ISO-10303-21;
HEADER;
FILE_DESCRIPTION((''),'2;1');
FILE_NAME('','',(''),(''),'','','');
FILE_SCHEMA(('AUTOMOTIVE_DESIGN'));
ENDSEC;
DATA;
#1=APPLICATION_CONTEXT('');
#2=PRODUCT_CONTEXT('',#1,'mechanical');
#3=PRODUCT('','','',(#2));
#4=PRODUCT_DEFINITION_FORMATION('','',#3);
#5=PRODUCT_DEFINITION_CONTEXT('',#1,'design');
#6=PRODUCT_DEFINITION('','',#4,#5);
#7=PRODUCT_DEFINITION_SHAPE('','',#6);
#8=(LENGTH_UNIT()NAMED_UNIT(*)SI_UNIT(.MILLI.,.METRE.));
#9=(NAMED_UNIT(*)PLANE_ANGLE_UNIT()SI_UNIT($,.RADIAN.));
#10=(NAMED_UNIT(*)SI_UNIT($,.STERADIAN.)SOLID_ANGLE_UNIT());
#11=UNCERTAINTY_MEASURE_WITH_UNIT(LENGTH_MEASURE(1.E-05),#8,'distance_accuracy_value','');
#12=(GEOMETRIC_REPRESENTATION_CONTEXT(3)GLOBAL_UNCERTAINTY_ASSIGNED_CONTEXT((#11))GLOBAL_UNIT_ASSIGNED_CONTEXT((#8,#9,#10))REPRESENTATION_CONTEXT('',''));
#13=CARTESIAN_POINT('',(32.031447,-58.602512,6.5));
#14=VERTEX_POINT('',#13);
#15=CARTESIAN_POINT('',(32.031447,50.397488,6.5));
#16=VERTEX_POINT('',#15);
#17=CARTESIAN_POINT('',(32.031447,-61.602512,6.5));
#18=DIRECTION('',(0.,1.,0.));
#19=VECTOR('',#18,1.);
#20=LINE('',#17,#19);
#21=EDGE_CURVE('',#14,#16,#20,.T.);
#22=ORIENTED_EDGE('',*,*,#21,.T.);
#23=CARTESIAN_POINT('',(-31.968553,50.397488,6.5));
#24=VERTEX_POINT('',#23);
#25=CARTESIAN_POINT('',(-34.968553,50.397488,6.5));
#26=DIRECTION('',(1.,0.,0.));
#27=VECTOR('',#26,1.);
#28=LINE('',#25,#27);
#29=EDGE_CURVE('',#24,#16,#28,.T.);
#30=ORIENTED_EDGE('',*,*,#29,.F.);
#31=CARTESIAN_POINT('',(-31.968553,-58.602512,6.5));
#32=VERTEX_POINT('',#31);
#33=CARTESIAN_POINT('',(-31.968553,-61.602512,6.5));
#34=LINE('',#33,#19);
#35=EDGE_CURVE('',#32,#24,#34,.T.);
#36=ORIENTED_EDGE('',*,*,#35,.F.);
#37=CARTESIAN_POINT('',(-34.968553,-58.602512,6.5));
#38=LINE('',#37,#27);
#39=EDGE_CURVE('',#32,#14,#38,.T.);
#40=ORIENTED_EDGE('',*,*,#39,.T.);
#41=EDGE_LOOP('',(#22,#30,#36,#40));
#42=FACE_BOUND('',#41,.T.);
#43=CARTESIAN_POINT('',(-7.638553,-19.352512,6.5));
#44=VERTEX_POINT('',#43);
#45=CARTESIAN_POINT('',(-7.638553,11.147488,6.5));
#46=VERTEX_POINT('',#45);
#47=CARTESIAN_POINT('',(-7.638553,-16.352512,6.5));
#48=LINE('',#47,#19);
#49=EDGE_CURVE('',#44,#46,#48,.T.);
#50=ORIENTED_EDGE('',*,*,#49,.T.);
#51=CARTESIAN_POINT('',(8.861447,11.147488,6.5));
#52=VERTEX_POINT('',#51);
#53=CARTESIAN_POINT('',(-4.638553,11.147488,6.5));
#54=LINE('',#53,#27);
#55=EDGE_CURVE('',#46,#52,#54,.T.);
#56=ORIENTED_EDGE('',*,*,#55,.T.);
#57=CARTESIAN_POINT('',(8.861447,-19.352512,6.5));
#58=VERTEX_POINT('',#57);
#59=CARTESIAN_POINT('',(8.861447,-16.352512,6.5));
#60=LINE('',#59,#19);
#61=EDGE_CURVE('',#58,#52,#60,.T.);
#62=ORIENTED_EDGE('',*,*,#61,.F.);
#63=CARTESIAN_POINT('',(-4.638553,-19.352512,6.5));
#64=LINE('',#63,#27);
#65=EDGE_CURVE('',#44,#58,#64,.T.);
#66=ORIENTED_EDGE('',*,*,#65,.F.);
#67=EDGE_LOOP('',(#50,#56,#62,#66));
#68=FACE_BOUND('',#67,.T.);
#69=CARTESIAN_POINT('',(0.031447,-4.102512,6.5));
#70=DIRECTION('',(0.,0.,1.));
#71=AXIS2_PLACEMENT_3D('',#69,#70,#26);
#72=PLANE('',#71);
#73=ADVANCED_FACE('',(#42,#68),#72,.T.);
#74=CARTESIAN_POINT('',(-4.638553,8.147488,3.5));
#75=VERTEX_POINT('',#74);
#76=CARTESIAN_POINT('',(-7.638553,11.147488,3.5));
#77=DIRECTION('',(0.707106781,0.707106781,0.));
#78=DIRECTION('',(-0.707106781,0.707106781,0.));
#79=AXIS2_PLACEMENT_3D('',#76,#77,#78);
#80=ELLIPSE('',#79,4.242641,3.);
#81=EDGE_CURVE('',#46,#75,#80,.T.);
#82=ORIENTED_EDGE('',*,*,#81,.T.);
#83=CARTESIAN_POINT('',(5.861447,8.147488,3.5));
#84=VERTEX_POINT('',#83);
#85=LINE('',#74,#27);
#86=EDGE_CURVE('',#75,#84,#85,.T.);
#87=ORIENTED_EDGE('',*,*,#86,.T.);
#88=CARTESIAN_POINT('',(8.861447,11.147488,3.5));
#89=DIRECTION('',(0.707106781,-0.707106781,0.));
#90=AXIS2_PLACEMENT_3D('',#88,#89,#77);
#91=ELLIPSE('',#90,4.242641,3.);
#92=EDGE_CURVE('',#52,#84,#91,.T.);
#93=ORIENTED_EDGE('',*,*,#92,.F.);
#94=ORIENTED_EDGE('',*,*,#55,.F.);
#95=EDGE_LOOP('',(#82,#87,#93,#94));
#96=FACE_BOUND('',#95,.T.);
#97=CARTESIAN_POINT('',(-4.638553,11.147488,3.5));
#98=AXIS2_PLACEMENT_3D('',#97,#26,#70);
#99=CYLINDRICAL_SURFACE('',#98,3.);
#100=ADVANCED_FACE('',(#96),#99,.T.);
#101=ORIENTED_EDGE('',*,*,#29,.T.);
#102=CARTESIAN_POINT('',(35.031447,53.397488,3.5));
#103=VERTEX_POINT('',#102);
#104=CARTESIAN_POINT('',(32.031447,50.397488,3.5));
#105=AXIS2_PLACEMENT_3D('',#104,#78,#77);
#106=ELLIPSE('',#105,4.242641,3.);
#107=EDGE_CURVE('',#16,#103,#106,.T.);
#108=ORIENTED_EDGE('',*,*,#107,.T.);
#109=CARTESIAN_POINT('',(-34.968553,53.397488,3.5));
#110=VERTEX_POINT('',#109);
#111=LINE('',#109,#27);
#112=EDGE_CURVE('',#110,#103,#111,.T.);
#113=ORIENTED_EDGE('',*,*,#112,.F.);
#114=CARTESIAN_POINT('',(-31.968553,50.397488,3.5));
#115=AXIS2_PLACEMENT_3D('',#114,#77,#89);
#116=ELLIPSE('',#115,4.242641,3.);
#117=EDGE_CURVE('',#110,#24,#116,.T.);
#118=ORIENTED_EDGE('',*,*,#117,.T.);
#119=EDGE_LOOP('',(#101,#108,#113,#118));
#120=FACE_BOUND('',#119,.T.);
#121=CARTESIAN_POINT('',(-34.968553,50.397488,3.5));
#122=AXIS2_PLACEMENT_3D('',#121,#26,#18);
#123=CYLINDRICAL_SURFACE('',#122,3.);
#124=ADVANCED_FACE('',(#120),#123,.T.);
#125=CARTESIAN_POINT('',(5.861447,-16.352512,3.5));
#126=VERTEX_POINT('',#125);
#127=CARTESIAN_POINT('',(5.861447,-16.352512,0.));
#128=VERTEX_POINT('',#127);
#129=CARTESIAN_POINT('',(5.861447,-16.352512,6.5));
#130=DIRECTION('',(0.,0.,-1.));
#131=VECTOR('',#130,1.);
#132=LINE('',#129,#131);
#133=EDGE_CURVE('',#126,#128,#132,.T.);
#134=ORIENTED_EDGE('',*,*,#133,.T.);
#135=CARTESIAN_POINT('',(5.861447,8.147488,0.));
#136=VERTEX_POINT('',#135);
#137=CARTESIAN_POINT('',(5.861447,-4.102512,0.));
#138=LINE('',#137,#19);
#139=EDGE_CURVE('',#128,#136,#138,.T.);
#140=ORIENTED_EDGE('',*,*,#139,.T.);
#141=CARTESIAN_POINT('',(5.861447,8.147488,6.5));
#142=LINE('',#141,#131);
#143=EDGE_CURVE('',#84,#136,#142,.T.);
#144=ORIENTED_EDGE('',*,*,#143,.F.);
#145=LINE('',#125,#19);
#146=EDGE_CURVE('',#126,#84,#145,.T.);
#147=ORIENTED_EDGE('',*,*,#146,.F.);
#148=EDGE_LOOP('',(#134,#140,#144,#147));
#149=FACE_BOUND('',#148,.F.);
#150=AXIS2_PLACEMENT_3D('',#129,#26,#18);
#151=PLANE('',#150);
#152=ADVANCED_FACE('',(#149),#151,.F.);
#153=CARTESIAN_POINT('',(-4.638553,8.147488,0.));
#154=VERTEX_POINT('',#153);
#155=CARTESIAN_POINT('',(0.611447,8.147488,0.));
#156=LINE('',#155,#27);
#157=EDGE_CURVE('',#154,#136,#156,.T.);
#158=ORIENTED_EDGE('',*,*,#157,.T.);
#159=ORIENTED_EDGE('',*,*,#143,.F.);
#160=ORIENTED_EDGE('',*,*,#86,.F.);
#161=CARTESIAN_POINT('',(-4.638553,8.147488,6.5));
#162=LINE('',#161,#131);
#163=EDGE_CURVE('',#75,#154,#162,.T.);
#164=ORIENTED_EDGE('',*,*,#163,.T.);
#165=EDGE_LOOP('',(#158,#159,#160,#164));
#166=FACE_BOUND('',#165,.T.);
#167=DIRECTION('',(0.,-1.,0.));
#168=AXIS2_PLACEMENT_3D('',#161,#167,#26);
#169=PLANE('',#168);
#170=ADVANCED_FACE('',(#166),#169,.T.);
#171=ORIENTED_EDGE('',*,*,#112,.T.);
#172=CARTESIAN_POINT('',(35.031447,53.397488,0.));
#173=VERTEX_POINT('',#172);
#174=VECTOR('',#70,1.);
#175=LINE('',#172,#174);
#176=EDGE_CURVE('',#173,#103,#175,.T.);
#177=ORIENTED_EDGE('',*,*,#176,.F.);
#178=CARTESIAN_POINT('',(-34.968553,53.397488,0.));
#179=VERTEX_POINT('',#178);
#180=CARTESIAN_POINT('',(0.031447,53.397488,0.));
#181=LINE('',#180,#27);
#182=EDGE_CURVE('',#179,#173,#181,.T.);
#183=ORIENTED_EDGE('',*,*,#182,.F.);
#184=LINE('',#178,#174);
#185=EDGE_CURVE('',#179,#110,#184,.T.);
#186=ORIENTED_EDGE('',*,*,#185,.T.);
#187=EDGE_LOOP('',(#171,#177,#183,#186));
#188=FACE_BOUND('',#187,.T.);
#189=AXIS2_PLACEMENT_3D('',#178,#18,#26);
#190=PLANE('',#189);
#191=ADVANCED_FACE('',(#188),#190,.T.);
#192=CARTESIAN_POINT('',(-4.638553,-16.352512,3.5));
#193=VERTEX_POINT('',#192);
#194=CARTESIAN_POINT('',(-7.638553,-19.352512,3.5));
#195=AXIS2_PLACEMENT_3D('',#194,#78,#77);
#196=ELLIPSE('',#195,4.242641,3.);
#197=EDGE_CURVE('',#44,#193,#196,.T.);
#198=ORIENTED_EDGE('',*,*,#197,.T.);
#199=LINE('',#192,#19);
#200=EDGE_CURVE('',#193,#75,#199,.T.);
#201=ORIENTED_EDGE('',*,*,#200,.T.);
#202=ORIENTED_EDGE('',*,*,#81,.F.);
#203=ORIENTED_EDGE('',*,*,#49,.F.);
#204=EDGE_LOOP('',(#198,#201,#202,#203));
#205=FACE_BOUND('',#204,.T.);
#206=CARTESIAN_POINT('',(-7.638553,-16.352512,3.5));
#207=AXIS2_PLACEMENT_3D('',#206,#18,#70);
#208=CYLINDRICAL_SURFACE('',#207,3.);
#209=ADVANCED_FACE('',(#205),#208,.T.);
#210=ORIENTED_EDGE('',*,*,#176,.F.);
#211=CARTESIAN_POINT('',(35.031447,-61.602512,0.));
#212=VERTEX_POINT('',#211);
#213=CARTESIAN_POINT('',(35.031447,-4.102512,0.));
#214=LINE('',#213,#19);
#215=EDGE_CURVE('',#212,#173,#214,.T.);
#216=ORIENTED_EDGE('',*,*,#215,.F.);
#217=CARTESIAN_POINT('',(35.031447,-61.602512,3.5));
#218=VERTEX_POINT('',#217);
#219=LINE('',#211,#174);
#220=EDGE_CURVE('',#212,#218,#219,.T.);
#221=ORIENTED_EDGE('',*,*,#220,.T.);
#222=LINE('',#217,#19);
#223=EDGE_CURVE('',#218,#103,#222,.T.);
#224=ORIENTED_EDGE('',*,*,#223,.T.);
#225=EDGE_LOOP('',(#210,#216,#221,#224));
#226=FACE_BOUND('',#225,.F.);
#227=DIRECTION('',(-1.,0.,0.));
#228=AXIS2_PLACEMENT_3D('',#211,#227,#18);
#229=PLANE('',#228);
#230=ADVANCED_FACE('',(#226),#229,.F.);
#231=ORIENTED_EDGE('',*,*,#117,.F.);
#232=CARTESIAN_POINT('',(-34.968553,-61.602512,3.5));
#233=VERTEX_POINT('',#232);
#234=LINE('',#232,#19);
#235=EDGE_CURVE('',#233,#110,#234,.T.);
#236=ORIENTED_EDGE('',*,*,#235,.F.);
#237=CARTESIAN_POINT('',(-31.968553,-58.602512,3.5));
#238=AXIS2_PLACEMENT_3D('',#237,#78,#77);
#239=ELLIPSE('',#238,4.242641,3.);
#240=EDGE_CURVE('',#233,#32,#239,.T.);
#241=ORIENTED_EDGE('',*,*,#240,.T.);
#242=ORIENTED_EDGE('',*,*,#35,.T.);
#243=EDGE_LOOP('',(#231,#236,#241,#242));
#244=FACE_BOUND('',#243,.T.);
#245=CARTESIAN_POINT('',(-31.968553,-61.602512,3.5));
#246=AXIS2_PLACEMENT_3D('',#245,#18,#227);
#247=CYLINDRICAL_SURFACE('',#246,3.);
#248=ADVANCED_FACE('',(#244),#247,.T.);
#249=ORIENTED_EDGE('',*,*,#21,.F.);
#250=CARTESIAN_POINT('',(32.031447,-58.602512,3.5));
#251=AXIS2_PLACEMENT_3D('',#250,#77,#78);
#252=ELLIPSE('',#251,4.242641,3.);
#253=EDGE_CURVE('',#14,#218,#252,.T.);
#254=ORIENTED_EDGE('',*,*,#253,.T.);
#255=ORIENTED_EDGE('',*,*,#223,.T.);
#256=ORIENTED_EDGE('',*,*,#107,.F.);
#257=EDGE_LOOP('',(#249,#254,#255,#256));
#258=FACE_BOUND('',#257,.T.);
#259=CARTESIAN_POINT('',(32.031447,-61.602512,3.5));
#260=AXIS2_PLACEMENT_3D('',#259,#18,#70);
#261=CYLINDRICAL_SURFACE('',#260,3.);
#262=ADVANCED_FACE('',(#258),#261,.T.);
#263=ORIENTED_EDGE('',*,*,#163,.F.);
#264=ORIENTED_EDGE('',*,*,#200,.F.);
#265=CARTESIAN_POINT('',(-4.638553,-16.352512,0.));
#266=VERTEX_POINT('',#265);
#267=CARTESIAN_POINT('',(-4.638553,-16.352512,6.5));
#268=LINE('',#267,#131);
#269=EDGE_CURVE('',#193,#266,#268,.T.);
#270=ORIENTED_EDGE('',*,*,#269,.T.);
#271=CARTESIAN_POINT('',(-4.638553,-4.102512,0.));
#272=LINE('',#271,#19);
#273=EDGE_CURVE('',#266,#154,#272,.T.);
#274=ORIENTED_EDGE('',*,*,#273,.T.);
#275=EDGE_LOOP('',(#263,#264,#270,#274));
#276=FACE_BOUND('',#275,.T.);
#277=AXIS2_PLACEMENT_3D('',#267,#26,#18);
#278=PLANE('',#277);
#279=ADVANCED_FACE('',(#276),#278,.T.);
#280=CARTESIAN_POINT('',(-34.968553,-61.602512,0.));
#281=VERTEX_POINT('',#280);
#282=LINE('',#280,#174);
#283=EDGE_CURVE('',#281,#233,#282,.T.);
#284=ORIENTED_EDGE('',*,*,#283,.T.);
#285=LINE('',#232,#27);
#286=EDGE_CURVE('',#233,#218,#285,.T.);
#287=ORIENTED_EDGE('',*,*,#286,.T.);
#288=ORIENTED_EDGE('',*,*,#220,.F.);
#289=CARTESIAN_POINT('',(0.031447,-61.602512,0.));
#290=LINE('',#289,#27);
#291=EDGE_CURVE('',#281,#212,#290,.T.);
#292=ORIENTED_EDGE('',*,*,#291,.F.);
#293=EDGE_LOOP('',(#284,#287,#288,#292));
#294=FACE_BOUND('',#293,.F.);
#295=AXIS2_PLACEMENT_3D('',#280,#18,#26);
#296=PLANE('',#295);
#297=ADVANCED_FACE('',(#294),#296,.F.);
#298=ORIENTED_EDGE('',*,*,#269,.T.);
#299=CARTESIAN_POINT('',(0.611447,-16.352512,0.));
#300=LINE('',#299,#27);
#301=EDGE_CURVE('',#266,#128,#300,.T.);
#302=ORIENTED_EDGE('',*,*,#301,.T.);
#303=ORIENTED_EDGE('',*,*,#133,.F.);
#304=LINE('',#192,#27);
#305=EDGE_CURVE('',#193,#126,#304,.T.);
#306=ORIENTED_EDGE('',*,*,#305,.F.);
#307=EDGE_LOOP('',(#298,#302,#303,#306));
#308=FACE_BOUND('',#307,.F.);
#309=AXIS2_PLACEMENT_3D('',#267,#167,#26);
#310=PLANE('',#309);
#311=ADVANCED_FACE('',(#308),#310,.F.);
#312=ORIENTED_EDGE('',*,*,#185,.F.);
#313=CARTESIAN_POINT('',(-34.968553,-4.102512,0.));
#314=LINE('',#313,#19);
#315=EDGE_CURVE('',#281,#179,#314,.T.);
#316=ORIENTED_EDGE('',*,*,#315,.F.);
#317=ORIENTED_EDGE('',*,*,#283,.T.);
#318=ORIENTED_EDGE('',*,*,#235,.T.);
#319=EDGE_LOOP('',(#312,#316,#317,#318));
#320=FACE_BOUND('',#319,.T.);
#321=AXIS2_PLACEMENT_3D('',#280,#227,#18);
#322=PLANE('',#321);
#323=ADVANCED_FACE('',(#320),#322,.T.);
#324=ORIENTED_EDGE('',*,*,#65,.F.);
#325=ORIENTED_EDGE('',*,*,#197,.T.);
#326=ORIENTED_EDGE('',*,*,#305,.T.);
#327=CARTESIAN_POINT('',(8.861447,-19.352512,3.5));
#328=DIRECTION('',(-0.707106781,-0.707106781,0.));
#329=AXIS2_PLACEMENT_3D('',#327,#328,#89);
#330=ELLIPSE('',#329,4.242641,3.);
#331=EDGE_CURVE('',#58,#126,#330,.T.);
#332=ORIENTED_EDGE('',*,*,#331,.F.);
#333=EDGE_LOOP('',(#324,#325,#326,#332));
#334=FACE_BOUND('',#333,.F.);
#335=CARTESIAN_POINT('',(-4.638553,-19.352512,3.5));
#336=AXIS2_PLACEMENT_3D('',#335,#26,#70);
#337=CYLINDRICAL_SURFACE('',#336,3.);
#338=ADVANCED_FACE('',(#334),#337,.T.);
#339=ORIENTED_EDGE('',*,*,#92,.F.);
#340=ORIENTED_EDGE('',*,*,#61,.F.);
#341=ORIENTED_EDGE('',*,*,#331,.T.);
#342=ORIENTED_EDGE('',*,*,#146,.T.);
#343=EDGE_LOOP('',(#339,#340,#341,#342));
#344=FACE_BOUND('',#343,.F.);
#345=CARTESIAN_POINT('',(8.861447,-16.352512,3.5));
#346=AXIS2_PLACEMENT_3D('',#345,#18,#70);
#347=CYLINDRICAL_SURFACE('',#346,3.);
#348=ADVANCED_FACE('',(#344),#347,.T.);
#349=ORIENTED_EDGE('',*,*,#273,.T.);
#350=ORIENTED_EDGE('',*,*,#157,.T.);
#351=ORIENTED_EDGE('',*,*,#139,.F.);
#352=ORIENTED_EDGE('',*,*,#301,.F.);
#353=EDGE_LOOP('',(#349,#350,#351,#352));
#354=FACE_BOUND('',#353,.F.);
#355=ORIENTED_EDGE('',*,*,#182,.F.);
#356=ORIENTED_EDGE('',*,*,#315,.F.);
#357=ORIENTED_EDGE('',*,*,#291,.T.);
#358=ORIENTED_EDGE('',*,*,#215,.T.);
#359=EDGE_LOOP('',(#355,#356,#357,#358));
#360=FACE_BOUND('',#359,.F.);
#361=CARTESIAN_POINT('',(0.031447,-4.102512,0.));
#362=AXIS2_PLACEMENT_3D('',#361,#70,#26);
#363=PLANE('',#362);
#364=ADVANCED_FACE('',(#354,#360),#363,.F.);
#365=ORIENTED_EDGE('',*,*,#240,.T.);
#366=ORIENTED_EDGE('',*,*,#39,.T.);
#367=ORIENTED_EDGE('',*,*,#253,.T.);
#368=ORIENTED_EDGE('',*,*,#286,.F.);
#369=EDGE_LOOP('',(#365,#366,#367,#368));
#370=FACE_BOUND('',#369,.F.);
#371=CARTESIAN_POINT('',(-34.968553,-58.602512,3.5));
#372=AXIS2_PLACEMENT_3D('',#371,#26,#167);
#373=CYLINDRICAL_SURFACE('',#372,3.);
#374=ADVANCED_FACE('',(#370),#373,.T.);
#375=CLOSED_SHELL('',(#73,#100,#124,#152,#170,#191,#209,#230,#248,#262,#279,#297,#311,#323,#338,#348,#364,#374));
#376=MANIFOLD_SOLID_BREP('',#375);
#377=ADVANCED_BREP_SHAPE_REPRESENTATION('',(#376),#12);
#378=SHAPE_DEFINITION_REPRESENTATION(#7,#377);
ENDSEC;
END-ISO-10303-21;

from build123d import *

# Parameters (mm, degrees)
F0_W     = 70
F0_H     = 115
F1_DEPTH = 6.5
F2_W     = 10.5
F2_H     = 24.5
F3_DEPTH = 6.5
F4_R     = 3


with BuildPart() as f1:
    # F0 (on Top) → F1 (new body)
    with BuildSketch(Plane.XY):
        with Locations((0.0314470381, -4.1025115179)):
            Rectangle(F0_W, F0_H)
    extrude(amount=F1_DEPTH)

    # F2 (on face) → F3 (cut, through all)
    with BuildSketch(Plane.XY.offset(6.5)):
        with Locations((0.6114470381, -4.1025115179)):
            Rectangle(F2_W, F2_H)
    extrude(amount=-F3_DEPTH, mode=Mode.SUBTRACT)

    # F4
    f4_edges = [f1.edges().sort_by_distance(p)[0] for p in [
        (35.031447, -4.102512, 6.5),
        (0.031447, -61.602512, 6.5),
        (0.031447, 53.397488, 6.5),
        (-34.968553, -4.102512, 6.5),
        (-4.638553, -4.102512, 6.5),
        (0.611447, -16.352512, 6.5),
        (5.861447, -4.102512, 6.5),
        (0.611447, 8.147488, 6.5),
    ]]
    fillet(f4_edges, radius=F4_R)


solid = f1.part
